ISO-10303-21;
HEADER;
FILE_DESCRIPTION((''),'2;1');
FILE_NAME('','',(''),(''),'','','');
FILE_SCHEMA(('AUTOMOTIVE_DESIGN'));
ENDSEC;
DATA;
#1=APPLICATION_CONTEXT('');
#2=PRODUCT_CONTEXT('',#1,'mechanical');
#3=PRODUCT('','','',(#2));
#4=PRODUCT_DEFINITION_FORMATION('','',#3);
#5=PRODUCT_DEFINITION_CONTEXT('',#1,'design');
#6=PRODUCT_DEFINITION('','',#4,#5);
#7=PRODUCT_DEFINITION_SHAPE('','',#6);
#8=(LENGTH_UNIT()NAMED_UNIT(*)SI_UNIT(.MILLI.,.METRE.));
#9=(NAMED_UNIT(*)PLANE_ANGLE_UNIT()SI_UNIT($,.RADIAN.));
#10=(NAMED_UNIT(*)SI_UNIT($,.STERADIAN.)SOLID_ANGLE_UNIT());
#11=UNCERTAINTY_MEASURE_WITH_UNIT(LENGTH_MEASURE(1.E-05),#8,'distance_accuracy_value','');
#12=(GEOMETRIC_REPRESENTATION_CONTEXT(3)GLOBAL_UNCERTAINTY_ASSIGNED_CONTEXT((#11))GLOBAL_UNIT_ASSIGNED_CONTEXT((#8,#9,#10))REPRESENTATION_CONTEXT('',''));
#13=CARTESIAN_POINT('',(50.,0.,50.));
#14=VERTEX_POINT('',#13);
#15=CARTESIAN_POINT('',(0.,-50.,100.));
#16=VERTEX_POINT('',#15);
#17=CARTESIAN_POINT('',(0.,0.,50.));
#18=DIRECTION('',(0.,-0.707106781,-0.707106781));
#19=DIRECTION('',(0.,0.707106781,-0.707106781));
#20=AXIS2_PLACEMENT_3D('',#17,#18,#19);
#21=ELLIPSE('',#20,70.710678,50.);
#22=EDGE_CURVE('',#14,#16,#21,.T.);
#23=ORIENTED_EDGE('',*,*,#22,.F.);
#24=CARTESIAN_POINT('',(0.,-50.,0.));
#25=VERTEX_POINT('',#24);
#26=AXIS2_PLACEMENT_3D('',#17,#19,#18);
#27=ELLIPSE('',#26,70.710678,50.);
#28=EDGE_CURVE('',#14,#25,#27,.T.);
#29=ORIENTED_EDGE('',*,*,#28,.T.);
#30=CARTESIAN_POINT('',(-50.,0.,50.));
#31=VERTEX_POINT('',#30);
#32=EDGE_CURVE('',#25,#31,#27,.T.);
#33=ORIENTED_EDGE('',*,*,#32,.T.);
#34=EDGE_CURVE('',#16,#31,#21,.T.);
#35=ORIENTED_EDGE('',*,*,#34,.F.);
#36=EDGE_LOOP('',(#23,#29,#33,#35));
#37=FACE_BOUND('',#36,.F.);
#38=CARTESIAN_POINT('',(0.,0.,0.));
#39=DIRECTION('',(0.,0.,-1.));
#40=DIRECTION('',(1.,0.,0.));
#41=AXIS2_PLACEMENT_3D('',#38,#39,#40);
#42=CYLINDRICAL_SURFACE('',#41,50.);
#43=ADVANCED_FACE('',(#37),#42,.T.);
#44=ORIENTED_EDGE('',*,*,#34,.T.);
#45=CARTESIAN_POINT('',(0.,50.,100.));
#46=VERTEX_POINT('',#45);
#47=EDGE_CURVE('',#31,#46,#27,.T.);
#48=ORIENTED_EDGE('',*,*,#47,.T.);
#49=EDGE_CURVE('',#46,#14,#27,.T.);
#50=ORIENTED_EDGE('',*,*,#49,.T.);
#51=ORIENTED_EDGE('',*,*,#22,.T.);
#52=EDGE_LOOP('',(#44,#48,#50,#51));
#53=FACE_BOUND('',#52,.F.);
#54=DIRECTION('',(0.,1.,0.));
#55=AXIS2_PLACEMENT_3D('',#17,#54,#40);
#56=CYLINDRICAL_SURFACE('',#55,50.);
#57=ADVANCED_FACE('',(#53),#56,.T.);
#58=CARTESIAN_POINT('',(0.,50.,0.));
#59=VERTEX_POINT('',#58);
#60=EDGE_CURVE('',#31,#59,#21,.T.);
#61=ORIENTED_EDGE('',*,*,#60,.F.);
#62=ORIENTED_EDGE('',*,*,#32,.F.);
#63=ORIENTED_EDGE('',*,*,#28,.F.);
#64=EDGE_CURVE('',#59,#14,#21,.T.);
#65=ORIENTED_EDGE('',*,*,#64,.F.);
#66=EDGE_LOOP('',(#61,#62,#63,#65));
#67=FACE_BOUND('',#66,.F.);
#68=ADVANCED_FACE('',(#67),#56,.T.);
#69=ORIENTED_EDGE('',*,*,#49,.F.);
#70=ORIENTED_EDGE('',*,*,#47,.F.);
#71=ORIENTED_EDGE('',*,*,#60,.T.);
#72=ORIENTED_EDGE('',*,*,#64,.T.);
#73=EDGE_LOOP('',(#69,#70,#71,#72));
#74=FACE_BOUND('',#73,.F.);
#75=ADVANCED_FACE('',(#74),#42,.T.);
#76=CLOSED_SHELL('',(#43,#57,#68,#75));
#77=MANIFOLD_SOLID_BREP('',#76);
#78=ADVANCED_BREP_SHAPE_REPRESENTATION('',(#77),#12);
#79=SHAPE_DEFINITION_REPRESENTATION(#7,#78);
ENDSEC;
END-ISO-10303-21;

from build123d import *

# Parameters (mm, degrees)
F0_R     = 50
F1_DEPTH = 100
F2_W     = 179.588049
F2_H     = 151.703003
F2_R     = 50
F3_DEPTH = 50


with BuildPart() as f1:
    # F0 (on Top) → F1 (new body)
    with BuildSketch(Plane.XY):
        Circle(F0_R)
    extrude(amount=F1_DEPTH)

    # F2 (on Front) → F3 (cut, symmetric)
    with BuildSketch(Plane.XZ):
        with Locations((6.555065, 47.46036)):
            Rectangle(F2_W, F2_H)
        with Locations((0, 50)):
            Circle(F2_R, mode=Mode.SUBTRACT)
    extrude(amount=F3_DEPTH, both=True, mode=Mode.SUBTRACT)


solid = f1.part
